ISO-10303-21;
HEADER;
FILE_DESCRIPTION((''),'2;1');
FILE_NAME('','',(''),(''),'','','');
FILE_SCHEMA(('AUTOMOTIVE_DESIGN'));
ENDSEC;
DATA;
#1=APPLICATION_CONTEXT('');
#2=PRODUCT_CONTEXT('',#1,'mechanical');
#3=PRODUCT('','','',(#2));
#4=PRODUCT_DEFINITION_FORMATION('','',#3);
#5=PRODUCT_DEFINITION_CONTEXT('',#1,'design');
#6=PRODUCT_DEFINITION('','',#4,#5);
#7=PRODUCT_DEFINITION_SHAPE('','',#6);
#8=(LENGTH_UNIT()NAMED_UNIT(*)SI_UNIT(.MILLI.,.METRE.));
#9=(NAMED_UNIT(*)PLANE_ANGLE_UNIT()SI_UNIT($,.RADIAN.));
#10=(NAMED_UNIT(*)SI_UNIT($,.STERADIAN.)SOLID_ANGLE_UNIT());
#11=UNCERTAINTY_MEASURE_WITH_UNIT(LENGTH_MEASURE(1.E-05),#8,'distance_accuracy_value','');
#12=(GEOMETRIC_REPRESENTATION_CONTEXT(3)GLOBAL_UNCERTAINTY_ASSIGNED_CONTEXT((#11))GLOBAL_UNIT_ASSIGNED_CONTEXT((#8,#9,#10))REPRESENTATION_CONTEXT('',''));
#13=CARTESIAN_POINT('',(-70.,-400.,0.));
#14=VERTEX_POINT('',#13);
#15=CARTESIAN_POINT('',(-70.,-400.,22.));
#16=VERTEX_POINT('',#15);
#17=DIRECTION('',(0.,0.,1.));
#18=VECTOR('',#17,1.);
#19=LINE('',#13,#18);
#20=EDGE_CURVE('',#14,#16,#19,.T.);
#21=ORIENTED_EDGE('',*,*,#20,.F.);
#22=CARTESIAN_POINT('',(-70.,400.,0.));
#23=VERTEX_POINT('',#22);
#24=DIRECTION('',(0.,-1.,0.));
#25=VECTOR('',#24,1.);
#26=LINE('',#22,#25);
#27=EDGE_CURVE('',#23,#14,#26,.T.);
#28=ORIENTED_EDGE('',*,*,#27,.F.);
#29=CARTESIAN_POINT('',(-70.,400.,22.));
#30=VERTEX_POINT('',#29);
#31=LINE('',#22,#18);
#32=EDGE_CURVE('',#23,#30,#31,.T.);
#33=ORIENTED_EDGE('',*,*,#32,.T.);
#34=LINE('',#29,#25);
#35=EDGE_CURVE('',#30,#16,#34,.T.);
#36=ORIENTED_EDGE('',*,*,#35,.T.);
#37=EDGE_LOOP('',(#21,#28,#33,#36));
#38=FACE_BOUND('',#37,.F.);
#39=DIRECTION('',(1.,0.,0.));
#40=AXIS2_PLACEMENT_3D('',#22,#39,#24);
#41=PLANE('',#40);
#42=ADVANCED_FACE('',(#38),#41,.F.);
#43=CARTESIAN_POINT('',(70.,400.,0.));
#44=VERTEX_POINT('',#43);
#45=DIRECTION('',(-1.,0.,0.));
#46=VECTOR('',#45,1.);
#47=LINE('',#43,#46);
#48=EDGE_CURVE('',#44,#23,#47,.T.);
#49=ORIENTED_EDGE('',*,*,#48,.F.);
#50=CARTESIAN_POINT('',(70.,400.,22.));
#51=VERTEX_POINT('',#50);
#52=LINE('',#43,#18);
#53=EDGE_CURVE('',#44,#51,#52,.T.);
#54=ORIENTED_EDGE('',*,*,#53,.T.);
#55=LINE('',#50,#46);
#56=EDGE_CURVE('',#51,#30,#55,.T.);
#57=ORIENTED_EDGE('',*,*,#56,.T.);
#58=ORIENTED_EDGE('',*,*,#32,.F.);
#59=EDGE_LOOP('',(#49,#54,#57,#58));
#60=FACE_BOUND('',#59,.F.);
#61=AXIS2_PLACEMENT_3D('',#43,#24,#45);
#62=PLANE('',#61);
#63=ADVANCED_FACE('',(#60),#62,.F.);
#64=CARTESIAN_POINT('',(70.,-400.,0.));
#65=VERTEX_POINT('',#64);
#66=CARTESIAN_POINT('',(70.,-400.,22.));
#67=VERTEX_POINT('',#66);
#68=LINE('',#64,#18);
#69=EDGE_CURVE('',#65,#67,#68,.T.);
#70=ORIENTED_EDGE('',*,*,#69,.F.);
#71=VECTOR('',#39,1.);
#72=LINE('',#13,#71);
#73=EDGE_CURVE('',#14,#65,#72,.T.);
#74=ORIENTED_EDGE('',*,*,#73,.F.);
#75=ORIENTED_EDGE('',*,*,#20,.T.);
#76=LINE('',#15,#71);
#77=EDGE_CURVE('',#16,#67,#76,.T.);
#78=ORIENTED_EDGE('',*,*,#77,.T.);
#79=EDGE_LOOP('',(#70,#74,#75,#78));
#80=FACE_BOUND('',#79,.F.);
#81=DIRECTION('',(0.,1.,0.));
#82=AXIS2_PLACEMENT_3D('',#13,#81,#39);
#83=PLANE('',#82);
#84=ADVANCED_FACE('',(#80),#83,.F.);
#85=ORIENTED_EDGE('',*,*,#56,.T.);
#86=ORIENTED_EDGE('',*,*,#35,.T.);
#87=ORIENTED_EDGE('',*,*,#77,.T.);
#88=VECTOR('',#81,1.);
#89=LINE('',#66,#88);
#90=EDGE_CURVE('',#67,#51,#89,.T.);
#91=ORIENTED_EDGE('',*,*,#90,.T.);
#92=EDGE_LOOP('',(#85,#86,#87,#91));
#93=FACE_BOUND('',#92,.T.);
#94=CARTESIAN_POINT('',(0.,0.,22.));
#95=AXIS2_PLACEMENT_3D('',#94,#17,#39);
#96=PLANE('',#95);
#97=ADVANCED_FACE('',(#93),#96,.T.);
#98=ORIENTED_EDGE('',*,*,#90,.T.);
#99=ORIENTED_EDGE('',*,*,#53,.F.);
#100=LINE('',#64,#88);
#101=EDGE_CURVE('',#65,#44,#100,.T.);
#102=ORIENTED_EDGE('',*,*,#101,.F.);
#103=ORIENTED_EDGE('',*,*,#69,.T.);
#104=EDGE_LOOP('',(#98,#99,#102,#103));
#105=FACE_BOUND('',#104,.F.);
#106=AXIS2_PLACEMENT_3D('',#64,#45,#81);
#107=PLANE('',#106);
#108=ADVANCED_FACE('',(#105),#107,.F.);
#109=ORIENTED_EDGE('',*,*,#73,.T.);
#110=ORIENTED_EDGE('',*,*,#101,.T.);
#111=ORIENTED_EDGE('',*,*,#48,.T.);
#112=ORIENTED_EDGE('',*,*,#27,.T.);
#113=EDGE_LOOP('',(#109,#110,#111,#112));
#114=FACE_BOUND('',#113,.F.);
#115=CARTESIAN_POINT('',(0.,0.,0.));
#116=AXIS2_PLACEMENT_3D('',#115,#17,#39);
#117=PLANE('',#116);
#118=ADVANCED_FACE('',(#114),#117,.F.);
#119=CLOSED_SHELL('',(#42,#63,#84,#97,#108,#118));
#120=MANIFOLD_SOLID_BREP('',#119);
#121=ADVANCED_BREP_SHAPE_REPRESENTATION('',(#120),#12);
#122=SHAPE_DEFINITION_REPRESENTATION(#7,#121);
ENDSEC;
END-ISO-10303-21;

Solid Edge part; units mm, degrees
sketch "Sketch1" plane through (0, 0, 0) normal (0, 0, 1) x (1, 0, 0)
  line L0 (-70, -400) -> (70, -400)
  line L1 (70, -400) -> (70, 400)
  line L2 (70, 400) -> (-70, 400)
  line L3 (-70, 400) -> (-70, -400)
  dimension "D1" = 800
  dimension "D2" = 140
extrude "Protrusion1" add sketch "Sketch1" along normal blind 22
